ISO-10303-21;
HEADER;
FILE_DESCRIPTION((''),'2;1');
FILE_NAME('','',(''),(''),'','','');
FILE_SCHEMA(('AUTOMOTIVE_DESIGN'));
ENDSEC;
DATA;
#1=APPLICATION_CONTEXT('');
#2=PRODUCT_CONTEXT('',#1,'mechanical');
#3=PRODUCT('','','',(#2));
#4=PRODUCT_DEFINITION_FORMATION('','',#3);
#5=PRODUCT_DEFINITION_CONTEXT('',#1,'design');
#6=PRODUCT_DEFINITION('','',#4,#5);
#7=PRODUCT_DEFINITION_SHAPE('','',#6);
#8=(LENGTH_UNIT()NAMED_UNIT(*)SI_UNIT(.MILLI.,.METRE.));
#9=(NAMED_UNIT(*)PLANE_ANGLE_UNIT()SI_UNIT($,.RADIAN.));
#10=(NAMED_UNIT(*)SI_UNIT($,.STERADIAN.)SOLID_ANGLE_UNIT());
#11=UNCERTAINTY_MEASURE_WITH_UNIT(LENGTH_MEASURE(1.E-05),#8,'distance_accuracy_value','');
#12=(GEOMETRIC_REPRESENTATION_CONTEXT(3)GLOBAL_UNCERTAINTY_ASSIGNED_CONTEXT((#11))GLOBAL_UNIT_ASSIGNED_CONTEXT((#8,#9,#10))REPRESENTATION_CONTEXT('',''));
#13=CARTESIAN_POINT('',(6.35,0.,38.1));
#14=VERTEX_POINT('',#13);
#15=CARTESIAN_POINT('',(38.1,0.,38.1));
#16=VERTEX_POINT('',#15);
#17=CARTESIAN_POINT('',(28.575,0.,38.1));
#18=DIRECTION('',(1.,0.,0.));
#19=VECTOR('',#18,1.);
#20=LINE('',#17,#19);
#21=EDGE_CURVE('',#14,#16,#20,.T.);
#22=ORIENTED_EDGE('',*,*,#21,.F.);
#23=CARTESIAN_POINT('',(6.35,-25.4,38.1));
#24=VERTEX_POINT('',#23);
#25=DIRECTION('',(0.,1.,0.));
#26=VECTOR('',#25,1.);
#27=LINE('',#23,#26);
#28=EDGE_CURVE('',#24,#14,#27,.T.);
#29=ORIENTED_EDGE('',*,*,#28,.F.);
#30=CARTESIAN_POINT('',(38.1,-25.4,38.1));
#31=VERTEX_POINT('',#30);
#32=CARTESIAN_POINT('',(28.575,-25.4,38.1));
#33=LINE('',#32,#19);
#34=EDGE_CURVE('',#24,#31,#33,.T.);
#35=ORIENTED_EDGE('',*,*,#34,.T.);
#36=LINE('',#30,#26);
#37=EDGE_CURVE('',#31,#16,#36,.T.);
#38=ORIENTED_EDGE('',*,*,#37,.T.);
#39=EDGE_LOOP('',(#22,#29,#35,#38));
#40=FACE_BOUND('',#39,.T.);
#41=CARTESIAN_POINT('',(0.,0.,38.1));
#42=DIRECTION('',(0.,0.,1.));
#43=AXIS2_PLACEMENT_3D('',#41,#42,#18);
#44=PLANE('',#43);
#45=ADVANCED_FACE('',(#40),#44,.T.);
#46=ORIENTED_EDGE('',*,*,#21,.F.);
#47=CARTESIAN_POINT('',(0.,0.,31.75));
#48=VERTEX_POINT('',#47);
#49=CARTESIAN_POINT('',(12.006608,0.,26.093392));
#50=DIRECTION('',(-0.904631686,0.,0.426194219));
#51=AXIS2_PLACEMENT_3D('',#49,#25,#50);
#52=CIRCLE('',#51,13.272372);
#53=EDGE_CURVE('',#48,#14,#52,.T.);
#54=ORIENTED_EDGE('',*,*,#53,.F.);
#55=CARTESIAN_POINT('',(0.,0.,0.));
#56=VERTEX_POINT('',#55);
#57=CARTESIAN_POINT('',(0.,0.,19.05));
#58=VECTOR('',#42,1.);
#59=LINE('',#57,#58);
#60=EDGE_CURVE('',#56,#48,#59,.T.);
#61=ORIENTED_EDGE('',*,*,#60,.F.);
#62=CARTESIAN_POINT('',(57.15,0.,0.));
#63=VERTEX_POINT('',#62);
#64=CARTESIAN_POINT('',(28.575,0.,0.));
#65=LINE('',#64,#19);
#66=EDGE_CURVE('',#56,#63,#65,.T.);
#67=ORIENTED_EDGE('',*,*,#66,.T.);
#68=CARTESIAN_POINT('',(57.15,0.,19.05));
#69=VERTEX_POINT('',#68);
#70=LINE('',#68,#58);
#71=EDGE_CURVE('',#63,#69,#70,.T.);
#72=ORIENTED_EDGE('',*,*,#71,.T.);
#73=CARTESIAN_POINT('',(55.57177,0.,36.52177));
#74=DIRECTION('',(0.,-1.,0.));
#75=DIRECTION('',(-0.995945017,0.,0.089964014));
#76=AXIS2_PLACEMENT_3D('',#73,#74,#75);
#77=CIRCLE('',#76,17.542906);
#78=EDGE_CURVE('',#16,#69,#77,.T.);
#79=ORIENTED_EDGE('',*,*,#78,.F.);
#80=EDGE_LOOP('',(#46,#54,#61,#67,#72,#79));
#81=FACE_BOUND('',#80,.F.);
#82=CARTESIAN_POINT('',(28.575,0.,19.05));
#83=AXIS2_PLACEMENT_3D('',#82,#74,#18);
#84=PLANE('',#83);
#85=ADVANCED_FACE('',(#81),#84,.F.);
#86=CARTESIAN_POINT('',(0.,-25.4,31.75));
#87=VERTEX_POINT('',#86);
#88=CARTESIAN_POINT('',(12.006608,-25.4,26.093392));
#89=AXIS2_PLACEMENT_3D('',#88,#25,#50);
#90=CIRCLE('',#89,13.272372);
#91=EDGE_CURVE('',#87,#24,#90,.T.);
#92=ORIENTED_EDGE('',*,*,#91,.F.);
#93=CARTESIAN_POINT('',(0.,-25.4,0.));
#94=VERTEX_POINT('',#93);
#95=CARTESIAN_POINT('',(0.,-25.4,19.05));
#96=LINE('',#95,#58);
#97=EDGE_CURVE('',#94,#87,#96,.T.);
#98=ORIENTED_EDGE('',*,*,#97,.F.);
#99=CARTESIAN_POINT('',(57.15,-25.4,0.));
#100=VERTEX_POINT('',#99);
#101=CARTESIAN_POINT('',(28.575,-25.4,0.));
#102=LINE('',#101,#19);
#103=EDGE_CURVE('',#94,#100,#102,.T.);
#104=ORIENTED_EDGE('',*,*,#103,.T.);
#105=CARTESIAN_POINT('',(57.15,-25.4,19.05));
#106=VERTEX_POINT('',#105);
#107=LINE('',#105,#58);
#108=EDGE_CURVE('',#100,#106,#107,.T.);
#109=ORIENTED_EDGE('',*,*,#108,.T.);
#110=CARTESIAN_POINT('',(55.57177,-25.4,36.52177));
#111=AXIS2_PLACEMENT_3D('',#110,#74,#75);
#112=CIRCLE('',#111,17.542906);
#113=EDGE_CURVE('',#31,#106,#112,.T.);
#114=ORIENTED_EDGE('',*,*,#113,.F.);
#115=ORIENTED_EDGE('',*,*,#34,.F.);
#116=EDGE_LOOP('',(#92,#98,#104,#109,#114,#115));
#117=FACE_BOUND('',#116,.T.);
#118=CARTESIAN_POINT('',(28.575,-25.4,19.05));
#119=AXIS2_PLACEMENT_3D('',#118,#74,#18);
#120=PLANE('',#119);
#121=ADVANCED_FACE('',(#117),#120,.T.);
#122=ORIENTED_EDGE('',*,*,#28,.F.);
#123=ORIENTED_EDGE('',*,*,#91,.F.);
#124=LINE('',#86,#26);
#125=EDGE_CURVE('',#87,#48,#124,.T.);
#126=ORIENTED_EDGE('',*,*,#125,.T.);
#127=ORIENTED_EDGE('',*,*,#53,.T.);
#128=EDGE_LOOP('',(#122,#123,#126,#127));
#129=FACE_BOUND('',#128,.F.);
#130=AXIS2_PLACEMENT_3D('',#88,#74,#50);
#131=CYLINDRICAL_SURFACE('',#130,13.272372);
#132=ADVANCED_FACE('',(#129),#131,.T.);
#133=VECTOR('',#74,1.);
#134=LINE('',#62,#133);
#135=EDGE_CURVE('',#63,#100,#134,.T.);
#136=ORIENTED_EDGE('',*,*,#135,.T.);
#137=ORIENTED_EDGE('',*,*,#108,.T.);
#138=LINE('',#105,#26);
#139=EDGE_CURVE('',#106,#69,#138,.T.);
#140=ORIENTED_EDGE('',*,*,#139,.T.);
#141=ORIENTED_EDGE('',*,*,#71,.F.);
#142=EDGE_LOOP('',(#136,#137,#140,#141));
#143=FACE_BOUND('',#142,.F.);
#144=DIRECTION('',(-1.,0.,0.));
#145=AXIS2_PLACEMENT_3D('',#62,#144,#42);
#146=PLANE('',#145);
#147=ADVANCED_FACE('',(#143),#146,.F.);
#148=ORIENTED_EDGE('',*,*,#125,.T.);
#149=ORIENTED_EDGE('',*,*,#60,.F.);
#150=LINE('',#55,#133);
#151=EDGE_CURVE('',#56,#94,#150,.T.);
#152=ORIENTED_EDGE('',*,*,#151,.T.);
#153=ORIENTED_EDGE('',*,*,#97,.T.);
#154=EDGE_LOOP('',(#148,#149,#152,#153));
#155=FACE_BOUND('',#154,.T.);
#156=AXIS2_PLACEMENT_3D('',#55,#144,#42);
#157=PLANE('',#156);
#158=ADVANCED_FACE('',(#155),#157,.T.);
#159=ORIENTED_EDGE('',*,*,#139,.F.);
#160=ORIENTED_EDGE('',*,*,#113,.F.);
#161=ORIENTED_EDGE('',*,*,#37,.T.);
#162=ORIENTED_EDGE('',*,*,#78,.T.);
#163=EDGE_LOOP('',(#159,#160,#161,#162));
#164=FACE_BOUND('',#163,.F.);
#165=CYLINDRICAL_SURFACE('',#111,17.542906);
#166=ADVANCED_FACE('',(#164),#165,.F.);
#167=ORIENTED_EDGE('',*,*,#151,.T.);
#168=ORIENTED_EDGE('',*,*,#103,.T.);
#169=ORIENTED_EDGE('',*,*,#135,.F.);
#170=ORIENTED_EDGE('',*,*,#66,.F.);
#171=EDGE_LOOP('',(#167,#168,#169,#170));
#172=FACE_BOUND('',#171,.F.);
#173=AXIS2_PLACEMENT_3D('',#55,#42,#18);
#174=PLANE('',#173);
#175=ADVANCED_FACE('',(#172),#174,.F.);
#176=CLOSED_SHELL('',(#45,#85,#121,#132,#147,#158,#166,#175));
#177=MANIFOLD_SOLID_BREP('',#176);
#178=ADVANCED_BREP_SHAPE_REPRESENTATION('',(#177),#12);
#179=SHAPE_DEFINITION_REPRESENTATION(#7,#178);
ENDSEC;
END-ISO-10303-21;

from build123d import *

# Parameters (mm, degrees)
F0_W     = 57.15
F0_H     = 38.1
F1_DEPTH = 25.4
F3_DEPTH = 25.4
F5_DEPTH = 25.4


with BuildPart() as f1:
    # F0 (on Front) → F1 (new body)
    with BuildSketch(Plane.XZ):
        with Locations((28.575, 19.05)):
            Rectangle(F0_W, F0_H)
    extrude(amount=F1_DEPTH)

    # F2 (on face) → F3 (cut)
    with BuildSketch(Plane.XZ.offset(25.4)):
        with BuildLine():
            Line((57.15, 38.1), (38.1, 38.1))
            ThreePointArc((38.1, 38.1), (43.167062, 24.117062), (57.15, 19.05))
            Line((57.15, 19.05), (57.15, 38.1))
        make_face()
    extrude(amount=-F3_DEPTH, mode=Mode.SUBTRACT)

    # F4 (on face) → F5 (cut)
    with BuildSketch(Plane.XZ.offset(25.4)):
        with BuildLine():
            ThreePointArc((0, 31.75), (2.621624, 35.478376), (6.35, 38.1))
            Line((6.35, 38.1), (0, 38.1))
            Line((0, 38.1), (0, 31.75))
        make_face()
    extrude(amount=-F5_DEPTH, mode=Mode.SUBTRACT)


solid = f1.part
